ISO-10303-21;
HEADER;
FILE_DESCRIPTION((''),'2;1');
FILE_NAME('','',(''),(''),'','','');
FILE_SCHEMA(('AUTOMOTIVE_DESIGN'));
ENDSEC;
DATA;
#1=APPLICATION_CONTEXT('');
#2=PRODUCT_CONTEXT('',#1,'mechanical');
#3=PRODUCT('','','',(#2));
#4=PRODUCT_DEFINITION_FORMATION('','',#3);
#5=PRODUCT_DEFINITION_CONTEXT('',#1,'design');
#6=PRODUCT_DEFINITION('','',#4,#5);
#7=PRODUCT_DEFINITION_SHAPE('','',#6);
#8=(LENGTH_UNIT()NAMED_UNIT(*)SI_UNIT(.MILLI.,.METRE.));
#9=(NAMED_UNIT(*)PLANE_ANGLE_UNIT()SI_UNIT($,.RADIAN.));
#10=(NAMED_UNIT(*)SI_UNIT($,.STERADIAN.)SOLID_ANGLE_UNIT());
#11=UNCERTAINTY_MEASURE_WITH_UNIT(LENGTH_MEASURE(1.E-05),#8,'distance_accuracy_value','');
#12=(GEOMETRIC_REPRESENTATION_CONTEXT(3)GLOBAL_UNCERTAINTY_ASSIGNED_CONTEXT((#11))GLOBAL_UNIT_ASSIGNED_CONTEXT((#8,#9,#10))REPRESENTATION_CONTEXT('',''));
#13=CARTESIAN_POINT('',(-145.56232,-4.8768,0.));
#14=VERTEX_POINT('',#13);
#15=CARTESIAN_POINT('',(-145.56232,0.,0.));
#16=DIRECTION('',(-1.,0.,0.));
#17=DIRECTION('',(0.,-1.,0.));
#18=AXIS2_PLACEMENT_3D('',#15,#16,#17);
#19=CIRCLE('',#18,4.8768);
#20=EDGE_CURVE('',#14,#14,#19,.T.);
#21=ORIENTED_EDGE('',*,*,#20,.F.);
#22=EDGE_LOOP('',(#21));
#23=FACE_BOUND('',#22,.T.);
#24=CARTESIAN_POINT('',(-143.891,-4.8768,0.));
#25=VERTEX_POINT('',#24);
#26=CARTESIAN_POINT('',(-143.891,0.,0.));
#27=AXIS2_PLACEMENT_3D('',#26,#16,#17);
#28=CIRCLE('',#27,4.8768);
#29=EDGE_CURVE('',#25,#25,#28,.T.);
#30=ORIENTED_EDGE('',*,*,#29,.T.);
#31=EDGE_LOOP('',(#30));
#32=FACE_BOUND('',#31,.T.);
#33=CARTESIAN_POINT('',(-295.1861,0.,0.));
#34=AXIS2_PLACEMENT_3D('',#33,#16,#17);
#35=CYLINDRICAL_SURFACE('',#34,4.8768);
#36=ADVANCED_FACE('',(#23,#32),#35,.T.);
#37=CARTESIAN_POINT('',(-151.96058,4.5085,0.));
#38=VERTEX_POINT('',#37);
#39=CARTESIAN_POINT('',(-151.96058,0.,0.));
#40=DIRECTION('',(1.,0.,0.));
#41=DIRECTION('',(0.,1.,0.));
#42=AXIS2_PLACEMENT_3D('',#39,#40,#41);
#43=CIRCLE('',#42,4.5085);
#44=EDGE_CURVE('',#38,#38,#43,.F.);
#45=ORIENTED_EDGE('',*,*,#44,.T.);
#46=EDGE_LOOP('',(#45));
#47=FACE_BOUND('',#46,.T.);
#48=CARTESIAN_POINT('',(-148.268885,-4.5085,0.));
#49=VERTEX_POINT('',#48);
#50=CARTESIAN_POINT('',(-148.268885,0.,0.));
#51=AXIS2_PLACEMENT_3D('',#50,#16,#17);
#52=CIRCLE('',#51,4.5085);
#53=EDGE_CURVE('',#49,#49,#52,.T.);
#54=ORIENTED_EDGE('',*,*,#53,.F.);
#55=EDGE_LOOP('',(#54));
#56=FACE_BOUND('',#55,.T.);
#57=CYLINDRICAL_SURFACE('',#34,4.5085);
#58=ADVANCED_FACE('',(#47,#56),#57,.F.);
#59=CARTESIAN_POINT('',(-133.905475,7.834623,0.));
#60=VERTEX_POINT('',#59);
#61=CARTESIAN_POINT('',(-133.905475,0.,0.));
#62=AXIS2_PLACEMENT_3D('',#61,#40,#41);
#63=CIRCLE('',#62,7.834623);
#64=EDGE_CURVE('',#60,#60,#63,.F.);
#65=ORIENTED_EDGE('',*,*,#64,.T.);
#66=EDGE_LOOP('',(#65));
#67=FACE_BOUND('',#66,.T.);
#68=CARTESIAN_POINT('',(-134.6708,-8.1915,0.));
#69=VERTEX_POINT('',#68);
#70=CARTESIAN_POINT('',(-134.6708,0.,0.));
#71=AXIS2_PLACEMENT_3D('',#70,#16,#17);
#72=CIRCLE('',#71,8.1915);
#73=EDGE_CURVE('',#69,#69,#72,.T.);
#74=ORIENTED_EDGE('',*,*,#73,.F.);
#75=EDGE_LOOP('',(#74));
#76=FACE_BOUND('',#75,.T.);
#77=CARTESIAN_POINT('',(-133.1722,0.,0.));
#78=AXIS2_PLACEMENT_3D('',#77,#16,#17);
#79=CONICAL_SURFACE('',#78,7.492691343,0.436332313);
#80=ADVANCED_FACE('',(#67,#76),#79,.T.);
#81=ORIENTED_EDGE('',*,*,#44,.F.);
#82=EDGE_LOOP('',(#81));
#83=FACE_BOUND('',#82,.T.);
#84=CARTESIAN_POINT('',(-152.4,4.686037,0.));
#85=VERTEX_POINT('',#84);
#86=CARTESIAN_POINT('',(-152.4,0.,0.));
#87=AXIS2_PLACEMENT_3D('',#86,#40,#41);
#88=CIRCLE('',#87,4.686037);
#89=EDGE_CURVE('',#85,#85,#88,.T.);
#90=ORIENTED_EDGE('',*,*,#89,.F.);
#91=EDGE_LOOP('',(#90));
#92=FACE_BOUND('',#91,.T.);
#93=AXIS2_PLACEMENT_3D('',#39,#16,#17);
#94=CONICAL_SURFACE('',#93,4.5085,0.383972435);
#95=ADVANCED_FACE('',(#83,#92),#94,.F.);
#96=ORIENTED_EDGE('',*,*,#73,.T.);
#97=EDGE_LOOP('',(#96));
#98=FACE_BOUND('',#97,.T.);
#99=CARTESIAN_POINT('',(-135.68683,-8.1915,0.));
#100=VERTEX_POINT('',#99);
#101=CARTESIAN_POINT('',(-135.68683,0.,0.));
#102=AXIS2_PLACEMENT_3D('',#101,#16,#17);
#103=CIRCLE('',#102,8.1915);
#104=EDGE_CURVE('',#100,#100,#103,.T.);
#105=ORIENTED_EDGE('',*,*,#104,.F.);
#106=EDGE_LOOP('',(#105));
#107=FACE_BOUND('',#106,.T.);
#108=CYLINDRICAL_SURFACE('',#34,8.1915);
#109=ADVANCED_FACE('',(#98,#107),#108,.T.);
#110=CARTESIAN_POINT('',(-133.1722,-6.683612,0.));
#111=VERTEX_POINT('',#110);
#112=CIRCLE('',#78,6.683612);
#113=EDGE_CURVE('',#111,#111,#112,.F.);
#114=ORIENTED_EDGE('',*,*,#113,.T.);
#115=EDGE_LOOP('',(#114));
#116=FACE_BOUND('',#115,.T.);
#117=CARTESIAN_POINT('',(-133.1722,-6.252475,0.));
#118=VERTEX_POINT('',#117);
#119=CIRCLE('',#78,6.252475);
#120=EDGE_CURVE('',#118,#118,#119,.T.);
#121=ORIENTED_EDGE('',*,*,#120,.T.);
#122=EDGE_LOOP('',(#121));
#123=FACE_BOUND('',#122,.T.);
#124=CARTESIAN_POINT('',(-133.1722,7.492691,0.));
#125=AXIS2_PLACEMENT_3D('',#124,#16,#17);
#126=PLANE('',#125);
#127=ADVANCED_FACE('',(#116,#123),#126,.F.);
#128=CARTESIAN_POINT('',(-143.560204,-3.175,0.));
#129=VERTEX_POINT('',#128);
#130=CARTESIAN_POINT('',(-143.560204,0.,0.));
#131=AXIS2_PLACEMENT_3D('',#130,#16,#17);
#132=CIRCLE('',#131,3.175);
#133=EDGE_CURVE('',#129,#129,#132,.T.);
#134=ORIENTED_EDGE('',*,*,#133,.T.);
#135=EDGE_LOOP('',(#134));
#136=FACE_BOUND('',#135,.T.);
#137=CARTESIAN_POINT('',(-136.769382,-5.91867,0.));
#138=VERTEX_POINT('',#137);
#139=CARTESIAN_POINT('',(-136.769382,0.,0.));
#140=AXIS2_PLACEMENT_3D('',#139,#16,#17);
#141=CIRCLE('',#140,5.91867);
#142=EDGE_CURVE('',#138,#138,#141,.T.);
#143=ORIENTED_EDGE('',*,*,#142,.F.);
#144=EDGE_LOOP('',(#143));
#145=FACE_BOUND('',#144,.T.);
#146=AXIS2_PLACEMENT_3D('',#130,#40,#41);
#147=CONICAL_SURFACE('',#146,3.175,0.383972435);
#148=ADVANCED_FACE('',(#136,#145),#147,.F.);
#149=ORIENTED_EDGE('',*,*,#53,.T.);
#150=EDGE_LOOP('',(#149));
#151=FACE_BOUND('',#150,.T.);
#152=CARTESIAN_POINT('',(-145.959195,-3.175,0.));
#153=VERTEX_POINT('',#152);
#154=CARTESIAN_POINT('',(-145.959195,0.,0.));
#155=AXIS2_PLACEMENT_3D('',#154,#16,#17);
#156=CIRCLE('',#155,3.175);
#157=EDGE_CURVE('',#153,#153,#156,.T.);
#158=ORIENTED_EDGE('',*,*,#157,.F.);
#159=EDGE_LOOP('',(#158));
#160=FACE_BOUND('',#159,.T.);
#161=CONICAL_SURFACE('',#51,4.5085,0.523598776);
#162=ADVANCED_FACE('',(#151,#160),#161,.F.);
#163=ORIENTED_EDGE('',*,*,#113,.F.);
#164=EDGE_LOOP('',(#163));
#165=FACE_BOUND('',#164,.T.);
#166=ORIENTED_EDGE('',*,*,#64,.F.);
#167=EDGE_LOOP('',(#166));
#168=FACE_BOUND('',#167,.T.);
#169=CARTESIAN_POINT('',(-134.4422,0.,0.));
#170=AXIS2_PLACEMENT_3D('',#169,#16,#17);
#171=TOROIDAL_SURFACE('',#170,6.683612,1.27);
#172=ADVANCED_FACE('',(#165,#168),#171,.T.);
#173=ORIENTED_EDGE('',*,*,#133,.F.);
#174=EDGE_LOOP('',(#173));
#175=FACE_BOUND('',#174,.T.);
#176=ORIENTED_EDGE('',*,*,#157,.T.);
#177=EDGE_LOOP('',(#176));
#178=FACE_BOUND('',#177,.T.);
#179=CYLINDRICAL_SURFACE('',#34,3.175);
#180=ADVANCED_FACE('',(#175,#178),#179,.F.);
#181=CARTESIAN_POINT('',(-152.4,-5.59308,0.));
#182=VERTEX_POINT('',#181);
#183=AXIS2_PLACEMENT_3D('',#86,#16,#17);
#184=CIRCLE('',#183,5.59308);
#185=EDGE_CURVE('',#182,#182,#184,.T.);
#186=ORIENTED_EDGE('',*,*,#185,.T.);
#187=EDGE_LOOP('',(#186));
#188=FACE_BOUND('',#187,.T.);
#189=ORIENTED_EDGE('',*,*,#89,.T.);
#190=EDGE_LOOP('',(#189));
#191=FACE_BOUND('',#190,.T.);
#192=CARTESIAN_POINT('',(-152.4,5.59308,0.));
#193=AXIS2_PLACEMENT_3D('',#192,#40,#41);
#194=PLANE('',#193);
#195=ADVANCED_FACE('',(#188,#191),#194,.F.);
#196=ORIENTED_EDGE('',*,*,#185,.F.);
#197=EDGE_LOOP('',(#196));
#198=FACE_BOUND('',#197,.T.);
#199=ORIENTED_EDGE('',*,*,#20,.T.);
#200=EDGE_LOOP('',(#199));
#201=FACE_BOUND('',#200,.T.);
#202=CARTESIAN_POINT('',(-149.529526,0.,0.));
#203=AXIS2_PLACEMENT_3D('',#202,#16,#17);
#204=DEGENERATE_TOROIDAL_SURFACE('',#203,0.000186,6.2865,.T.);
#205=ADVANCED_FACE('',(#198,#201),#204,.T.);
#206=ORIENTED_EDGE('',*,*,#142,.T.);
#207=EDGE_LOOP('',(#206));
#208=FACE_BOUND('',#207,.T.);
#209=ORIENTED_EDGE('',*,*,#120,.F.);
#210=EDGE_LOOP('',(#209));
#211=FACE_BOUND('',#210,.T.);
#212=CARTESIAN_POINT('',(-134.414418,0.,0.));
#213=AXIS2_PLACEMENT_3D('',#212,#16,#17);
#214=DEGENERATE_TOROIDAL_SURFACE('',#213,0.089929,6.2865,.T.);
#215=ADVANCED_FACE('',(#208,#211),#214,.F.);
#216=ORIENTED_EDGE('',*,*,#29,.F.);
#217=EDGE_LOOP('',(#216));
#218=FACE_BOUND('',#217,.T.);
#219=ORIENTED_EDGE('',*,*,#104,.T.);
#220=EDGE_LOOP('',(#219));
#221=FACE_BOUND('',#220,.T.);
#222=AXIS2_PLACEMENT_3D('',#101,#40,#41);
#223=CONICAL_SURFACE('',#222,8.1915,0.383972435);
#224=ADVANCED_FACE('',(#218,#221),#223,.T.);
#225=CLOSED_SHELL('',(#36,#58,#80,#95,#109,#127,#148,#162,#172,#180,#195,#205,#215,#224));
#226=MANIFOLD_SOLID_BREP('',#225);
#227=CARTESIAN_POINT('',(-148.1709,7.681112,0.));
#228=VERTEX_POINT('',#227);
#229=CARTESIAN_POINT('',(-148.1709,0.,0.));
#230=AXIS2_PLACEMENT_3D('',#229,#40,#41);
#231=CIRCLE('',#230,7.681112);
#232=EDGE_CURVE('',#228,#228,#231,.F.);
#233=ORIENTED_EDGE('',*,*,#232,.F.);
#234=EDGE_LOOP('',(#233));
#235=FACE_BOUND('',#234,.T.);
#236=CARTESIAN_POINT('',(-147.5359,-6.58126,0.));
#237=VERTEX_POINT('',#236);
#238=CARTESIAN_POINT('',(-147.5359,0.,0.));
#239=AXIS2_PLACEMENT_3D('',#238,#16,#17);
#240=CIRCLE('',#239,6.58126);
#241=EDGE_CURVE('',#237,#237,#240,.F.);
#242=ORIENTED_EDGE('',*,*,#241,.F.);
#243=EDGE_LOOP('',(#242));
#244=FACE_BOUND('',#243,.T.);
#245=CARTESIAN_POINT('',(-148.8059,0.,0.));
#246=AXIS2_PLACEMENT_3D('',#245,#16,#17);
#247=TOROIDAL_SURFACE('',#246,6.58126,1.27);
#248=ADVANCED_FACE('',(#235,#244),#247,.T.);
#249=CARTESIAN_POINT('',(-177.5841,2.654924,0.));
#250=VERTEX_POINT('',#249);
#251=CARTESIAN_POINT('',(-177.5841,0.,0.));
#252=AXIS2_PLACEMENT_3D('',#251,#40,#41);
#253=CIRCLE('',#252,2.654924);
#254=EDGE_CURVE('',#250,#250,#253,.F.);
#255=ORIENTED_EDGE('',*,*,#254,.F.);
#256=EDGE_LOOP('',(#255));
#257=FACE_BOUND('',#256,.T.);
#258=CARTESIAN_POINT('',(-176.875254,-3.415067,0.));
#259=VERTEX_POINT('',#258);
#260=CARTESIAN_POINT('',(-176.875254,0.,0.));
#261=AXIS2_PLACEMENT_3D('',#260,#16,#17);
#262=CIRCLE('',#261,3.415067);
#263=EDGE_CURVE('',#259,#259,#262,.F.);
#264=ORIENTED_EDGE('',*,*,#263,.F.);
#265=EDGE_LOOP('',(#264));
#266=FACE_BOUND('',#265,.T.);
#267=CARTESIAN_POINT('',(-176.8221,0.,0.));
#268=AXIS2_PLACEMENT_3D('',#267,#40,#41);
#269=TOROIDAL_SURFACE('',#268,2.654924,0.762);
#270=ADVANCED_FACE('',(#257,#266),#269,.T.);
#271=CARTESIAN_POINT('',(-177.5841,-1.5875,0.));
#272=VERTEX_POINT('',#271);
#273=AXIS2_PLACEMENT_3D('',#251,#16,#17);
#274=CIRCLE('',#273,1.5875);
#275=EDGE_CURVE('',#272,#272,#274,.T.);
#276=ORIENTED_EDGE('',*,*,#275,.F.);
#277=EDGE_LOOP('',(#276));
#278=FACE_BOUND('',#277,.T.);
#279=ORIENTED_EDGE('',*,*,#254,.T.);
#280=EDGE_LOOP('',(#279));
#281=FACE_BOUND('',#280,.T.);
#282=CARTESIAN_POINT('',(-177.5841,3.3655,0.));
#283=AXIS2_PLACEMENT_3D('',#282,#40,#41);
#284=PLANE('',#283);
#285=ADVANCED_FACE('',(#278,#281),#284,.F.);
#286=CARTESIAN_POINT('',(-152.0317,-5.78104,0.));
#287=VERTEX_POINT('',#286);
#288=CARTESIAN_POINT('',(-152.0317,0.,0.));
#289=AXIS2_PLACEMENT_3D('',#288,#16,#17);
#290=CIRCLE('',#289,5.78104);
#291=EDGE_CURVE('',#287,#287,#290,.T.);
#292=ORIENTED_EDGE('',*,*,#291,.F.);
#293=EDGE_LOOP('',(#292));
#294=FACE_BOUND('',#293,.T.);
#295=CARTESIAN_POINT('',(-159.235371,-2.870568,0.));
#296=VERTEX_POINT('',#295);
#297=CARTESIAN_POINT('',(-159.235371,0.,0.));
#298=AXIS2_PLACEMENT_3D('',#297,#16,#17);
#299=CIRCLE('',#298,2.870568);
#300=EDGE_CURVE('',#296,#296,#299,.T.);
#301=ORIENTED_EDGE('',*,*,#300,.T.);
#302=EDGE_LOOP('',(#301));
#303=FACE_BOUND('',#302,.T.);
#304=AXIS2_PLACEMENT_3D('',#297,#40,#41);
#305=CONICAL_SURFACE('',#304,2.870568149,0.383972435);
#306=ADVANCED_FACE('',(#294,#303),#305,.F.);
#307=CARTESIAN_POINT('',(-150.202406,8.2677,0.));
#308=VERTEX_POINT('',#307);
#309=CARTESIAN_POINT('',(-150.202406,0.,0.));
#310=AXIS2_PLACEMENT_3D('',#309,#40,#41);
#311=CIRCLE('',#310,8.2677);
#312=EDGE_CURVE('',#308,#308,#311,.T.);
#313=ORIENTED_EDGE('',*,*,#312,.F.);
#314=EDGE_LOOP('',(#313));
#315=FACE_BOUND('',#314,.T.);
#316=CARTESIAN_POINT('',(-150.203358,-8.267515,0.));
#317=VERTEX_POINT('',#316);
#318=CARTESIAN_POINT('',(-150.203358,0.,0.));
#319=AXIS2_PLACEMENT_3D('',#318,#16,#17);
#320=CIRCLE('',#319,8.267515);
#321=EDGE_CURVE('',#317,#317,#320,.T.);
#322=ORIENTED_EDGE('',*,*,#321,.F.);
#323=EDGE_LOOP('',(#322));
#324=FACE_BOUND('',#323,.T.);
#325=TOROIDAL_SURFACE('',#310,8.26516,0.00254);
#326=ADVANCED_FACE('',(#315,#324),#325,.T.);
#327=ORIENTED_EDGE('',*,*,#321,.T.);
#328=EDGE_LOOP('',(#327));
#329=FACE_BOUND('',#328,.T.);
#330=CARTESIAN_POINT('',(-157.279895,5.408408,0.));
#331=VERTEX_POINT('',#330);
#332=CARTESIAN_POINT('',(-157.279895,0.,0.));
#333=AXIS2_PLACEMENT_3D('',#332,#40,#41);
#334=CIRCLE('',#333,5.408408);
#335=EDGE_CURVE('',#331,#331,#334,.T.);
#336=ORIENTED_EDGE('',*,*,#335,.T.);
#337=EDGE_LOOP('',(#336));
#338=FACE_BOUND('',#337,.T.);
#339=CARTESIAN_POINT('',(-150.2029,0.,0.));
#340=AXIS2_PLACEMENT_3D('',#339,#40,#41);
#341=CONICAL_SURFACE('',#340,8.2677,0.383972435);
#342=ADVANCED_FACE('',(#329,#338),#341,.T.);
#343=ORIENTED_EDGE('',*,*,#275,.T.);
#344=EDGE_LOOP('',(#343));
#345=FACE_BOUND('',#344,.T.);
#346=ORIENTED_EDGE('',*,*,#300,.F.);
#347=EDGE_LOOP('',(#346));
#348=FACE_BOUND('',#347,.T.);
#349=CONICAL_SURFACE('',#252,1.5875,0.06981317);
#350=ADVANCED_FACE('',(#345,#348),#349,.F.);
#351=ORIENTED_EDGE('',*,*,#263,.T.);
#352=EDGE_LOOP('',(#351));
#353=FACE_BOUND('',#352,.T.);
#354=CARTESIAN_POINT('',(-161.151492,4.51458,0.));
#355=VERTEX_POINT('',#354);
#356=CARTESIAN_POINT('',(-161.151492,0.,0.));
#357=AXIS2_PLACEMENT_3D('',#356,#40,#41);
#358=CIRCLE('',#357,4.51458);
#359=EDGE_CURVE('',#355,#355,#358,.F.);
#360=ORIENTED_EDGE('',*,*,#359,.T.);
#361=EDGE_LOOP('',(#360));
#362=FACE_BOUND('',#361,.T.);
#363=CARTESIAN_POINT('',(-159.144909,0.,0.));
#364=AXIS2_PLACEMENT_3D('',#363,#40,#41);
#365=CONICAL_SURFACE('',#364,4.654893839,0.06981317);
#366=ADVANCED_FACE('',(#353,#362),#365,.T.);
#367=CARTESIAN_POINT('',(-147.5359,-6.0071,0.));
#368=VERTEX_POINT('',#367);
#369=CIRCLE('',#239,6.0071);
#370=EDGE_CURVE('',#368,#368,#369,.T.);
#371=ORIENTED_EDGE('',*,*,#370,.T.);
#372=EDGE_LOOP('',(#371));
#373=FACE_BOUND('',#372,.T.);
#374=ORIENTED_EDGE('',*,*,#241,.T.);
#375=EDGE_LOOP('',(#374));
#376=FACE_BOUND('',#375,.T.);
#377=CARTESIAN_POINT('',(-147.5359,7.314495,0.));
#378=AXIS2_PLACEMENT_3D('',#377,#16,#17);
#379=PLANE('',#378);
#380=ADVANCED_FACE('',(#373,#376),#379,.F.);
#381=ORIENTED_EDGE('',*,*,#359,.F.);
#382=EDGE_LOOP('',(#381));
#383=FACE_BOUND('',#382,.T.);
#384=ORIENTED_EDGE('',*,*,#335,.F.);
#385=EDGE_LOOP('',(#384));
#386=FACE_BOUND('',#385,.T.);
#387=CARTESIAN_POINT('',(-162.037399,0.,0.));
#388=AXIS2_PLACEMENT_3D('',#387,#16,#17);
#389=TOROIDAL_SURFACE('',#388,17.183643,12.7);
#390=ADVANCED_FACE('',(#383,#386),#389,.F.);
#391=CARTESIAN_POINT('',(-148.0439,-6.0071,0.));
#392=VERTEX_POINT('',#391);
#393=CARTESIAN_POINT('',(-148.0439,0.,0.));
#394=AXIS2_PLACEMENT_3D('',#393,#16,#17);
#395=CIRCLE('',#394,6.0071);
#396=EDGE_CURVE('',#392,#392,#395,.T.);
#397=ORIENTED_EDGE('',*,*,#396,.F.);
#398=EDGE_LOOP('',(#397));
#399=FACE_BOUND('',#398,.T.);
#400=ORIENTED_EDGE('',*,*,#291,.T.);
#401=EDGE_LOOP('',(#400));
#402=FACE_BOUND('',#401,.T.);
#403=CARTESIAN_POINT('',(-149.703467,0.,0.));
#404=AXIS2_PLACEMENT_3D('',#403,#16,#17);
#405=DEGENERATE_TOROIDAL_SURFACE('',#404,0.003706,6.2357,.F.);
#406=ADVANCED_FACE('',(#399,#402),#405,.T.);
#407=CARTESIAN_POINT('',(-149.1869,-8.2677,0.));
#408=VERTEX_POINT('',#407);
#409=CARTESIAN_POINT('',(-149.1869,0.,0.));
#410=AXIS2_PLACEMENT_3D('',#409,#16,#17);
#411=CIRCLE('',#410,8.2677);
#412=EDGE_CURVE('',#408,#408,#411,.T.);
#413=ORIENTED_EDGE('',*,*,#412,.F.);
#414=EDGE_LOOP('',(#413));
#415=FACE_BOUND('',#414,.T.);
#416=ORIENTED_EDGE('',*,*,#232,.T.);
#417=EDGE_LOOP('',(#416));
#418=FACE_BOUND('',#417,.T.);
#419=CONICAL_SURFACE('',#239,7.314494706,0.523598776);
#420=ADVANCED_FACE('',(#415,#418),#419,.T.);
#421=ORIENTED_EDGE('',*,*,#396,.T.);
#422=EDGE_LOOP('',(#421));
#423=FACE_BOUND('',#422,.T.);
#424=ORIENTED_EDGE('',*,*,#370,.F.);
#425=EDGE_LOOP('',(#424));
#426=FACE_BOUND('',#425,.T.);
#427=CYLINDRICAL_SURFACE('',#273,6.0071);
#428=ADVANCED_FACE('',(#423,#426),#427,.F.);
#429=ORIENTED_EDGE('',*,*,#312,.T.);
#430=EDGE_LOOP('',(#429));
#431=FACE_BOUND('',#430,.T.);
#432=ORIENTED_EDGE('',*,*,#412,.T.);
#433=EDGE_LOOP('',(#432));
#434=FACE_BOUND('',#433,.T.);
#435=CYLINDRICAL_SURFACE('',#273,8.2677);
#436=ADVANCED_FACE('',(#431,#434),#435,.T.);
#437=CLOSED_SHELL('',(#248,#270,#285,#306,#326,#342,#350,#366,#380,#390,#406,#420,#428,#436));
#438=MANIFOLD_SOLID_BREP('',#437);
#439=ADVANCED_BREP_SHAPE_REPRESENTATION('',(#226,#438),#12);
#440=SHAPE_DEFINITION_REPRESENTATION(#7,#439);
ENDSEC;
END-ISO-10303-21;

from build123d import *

# Parameters (mm, degrees)
FILLET1_R      = 1.27
CHAMFER1_SIZE  = 0.43942
CHAMFER1_SIZE2 = 0.177537204
FILLET11_R     = 1.27
FILLET11_2_R   = 0.762
FILLET11_3_R   = 12.7
FILLET4_R      = 0.00254


with BuildPart() as part:
    # Sketch2 → Revolve1 (revolve)
    with BuildSketch(Plane.XY):
        with BuildLine():
            Line((-9.6139, 5.59308), (-9.6139, 4.5085))
            Line((-9.6139, 4.5085), (-5.482784752, 4.5085))
            Line((-5.482784752, 4.5085), (-3.173095, 3.175))
            Line((-3.173095, 3.175), (-0.77410359, 3.175))
            Line((-0.77410359, 3.175), (6.016717794, 5.918669934))
            ThreePointArc((6.016717794, 5.918669934), (7.790814141, 6.349535218), (9.6139, 6.252474944))
            Line((9.6139, 6.252474944), (9.6139, 7.492691343))
            Line((9.6139, 7.492691343), (8.1153, 8.1915))
            Line((8.1153, 8.1915), (7.099270393, 8.1915))
            Line((7.099270393, 8.1915), (-1.1049, 4.8768))
            Line((-1.1049, 4.8768), (-2.77622, 4.8768))
            ThreePointArc((-2.77622, 4.8768), (-6.088468301, 6.252474944), (-9.6139, 5.59308))
        make_face()
    revolve(axis=Axis((-152.4, 0, 0), (1, 0, 0)))

    # Fillet1
    fillet1_edges = [part.edges().sort_by_distance(p)[0] for p in [
        (9.6139, -7.492691343, 0),
    ]]
    fillet(fillet1_edges, radius=FILLET1_R)

    # Chamfer1
    chamfer1_edges = [part.edges().sort_by_distance(p)[0] for p in [
        (-9.6139, -4.5085, 0),
    ]]
    chamfer1_side = [part.faces().sort_by_distance(p)[0] for p in [
        (-7.548342376, -4.5085, 0),
    ]]
    chamfer(chamfer1_edges, length=CHAMFER1_SIZE, length2=CHAMFER1_SIZE2, reference=chamfer1_side[0])


with BuildPart() as part_1:
    # Body-Move_Copy1: moved
    add(part.part.moved(Location((-142.7861, 0, 0))))


with BuildPart() as body_2:
    # Sketch7 → Revolve11 (revolve)
    with BuildSketch(Plane.XY):
        with BuildLine():
            Line((-15.0241, 3.3655), (3.415090967, 4.654893839))
            Line((3.415090967, 4.654893839), (12.3571, 8.2677))
            Line((12.3571, 8.2677), (13.3731, 8.2677))
            Line((13.3731, 8.2677), (15.0241, 7.314494706))
            Line((15.0241, 7.314494706), (15.0241, 6.0071))
            Line((15.0241, 6.0071), (14.5161, 6.0071))
            ThreePointArc((14.5161, 6.0071), (12.503610412, 6.221998689), (10.5283, 5.78104))
            Line((10.5283, 5.78104), (3.324629385, 2.870568149))
            Line((3.324629385, 2.870568149), (-15.0241, 1.5875))
            Line((-15.0241, 1.5875), (-15.0241, 3.3655))
        make_face()
    revolve(axis=Axis((-15.0241, 0, 0), (1, 0, 0)))

    # Fillet11
    fillet11_edges = [body_2.edges().sort_by_distance(p)[0] for p in [
        (15.0241, -7.314494706, 0),
    ]]
    fillet(fillet11_edges, radius=FILLET11_R)

    # Fillet11 2
    fillet11_2_edges = [body_2.edges().sort_by_distance(p)[0] for p in [
        (-15.0241, -3.3655, 0),
    ]]
    fillet(fillet11_2_edges, radius=FILLET11_2_R)

    # Fillet11 3
    fillet11_3_edges = [body_2.edges().sort_by_distance(p)[0] for p in [
        (3.415090967, -4.654893839, 0),
    ]]
    fillet(fillet11_3_edges, radius=FILLET11_3_R)

    # Fillet4
    fillet4_edges = [body_2.edges().sort_by_distance(p)[0] for p in [
        (12.3571, -8.2677, 0),
    ]]
    fillet(fillet4_edges, radius=FILLET4_R)


with BuildPart() as body_2_1:
    # Body-Move_Copy7: moved
    add(body_2.part.moved(Location((-162.56, 0, 0))))


solid = Compound([part_1.part, body_2_1.part])
